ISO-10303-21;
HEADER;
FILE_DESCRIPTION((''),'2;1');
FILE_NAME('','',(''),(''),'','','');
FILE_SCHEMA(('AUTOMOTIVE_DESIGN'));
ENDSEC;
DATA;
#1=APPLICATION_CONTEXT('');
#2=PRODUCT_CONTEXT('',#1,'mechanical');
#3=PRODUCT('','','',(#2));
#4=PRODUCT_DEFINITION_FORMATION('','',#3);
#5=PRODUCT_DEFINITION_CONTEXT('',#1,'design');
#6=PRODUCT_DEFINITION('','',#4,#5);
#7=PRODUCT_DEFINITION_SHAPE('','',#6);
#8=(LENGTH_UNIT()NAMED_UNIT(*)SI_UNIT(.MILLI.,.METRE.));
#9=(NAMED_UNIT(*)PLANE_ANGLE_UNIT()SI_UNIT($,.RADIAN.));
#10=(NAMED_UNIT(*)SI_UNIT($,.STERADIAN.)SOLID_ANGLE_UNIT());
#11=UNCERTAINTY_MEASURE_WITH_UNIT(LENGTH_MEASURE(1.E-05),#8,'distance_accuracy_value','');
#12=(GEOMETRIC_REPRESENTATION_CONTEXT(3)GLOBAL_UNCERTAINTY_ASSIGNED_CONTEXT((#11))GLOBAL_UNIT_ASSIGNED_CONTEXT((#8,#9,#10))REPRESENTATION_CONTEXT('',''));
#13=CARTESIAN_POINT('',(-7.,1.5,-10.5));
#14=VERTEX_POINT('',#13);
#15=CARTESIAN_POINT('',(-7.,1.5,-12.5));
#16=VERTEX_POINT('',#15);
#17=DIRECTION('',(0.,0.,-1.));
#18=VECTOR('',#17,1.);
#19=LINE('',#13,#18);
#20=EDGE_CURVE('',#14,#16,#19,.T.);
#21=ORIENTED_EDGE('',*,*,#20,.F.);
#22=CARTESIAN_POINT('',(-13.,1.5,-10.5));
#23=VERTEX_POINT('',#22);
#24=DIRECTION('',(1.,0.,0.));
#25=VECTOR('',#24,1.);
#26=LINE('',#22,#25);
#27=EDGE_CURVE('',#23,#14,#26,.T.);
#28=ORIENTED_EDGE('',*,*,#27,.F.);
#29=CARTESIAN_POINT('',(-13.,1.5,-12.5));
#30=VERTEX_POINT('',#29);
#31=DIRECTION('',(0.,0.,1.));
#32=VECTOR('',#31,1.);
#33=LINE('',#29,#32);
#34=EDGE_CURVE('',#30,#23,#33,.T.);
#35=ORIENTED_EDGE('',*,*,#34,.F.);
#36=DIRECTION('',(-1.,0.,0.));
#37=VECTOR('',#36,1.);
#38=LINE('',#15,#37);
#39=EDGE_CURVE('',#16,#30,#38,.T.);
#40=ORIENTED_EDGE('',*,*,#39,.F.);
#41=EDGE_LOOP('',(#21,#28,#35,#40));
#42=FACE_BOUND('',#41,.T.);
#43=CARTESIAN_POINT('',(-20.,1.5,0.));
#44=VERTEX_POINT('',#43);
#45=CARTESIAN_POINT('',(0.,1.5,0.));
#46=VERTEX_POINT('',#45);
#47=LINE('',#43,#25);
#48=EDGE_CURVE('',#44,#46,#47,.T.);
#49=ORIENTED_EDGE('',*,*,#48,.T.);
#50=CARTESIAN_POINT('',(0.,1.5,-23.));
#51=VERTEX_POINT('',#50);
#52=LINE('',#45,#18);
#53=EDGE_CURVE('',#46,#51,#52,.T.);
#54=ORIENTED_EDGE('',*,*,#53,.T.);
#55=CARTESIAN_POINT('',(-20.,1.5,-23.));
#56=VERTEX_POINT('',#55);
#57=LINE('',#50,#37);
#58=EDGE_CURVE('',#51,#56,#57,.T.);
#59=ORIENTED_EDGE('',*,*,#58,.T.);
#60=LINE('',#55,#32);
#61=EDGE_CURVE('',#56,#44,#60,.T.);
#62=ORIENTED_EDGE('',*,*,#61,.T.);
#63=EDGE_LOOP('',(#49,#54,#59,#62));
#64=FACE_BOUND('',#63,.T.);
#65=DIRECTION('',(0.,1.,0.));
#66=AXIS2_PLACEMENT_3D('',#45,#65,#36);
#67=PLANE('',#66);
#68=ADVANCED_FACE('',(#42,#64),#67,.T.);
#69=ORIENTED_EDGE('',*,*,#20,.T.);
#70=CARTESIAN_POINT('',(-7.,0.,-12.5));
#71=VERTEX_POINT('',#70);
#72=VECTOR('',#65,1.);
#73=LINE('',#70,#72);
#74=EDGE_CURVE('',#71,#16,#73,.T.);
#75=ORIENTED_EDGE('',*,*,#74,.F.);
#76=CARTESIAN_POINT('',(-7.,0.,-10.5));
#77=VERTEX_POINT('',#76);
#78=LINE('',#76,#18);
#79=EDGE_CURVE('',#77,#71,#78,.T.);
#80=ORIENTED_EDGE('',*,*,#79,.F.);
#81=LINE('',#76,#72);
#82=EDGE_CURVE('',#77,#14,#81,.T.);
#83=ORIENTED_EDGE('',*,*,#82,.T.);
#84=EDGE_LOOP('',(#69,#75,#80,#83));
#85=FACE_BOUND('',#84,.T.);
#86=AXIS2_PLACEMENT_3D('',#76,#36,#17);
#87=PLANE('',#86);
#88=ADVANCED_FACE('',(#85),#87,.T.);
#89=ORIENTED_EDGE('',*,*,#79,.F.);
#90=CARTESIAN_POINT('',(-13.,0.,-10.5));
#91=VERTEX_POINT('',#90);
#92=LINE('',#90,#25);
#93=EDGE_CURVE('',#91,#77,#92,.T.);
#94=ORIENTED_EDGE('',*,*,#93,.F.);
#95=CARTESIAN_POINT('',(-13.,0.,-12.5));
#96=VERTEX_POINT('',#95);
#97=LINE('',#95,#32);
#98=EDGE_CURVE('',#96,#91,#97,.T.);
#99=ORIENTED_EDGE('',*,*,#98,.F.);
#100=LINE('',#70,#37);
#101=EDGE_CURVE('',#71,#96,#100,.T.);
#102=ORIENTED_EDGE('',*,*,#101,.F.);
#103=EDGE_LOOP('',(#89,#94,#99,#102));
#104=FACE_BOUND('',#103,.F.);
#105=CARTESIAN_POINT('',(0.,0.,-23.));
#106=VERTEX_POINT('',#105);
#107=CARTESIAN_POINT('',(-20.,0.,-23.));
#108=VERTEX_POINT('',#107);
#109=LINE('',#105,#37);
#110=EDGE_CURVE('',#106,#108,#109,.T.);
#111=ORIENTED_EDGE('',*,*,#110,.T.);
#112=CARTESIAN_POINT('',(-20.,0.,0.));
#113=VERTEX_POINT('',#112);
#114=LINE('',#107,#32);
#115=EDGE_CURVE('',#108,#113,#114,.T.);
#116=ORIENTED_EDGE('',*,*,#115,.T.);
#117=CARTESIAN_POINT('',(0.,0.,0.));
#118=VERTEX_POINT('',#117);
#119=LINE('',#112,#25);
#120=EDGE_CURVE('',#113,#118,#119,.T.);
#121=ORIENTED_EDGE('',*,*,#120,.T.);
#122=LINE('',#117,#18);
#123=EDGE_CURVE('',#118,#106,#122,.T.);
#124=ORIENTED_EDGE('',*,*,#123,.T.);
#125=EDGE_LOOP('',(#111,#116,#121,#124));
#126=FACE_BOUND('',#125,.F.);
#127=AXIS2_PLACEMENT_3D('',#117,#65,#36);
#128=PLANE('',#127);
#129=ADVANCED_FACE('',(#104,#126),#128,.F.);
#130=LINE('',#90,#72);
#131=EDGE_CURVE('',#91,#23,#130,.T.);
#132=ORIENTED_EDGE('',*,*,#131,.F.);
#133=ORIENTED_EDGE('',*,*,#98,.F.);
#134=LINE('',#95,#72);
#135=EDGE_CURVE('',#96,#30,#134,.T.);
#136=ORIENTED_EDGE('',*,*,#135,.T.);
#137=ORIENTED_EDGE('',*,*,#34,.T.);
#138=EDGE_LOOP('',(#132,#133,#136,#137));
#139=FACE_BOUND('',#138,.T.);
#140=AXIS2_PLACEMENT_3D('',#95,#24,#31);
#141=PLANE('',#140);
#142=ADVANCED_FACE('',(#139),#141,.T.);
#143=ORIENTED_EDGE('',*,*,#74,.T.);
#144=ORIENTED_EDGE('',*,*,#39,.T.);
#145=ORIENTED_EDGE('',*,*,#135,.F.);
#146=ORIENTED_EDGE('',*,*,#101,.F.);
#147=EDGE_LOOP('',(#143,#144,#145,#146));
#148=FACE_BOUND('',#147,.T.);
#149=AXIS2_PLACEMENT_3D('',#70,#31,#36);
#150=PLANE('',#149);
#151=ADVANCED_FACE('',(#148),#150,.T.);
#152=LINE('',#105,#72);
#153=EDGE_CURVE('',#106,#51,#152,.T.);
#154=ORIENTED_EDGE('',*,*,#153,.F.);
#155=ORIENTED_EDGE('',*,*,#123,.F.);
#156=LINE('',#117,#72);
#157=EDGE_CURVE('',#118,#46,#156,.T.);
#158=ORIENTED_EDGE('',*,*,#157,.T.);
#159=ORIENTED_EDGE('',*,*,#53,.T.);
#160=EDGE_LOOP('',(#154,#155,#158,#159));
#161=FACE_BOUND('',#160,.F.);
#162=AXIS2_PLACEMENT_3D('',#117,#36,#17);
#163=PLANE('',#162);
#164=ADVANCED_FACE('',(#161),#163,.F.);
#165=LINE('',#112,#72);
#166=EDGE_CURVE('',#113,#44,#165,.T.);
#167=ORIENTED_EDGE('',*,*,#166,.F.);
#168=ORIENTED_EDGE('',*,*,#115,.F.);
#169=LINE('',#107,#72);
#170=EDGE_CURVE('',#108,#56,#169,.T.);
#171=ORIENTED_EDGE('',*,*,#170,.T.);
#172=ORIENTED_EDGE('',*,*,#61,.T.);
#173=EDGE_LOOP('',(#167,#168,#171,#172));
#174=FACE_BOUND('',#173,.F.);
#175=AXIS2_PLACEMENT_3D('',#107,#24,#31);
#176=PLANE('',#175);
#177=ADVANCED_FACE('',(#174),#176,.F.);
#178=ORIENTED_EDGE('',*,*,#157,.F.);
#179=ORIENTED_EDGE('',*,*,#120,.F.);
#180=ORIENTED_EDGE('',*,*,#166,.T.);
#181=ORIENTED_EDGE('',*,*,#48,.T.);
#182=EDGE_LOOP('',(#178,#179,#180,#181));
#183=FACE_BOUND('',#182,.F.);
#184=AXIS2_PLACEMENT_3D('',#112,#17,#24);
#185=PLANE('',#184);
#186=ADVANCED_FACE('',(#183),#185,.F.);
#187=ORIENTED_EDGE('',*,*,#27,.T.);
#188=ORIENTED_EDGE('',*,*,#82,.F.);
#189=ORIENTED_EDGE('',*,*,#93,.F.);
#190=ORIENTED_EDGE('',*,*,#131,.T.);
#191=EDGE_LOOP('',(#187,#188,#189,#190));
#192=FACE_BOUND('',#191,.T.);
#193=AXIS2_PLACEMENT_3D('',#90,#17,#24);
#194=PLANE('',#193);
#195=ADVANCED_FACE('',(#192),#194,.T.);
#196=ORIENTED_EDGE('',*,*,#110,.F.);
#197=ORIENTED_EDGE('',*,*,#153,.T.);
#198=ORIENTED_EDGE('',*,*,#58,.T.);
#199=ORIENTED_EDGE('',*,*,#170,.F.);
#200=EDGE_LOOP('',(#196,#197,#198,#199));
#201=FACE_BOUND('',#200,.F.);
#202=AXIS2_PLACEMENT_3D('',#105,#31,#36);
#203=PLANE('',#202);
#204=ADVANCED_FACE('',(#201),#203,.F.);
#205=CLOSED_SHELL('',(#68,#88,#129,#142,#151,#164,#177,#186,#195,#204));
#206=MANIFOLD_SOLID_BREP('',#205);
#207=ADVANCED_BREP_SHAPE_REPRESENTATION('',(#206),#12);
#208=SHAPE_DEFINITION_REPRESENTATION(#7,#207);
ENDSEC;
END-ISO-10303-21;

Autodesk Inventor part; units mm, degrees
ref_plane "YZ Plane" through (0, 0, 0) normal (1, 0, 0) x (0, 1, 0)
ref_plane "XZ Plane" through (0, 0, 0) normal (0, 1, 0) x (-1, 0, 0)
ref_plane "XY Plane" through (0, 0, 0) normal (0, 0, 1) x (1, 0, 0)
sketch "Sketch1" plane through (0, 0, 0) normal (0, 1, 0) x (-1, 0, 0)
  line L0 (0, 0) -> (0, -23)
  line L1 (0, -23) -> (20, -23)
  line L2 (20, -23) -> (20, 0)
  line L3 (16.0214, -11.5) -> (3.8301, -11.5) construction
  line L4 (20, 0) -> (0, 0)
  line L5 (13, -10.5) -> (7, -10.5)
  line L6 (7, -10.5) -> (7, -12.5)
  line L7 (7, -12.5) -> (13, -12.5)
  line L8 (13, -12.5) -> (13, -10.5)
  line L9 (10, -8) -> (10, -15) construction
  dimension "d0" = 23
  dimension "d10" = 20
  dimension "d13" = 10
  dimension "d14" = 2
  dimension "d15" = 6
extrude "Extrusion4" add sketch "Sketch1" along normal blind 1.5
properties part number "Distance_test_adaptor_slit_2mm"
